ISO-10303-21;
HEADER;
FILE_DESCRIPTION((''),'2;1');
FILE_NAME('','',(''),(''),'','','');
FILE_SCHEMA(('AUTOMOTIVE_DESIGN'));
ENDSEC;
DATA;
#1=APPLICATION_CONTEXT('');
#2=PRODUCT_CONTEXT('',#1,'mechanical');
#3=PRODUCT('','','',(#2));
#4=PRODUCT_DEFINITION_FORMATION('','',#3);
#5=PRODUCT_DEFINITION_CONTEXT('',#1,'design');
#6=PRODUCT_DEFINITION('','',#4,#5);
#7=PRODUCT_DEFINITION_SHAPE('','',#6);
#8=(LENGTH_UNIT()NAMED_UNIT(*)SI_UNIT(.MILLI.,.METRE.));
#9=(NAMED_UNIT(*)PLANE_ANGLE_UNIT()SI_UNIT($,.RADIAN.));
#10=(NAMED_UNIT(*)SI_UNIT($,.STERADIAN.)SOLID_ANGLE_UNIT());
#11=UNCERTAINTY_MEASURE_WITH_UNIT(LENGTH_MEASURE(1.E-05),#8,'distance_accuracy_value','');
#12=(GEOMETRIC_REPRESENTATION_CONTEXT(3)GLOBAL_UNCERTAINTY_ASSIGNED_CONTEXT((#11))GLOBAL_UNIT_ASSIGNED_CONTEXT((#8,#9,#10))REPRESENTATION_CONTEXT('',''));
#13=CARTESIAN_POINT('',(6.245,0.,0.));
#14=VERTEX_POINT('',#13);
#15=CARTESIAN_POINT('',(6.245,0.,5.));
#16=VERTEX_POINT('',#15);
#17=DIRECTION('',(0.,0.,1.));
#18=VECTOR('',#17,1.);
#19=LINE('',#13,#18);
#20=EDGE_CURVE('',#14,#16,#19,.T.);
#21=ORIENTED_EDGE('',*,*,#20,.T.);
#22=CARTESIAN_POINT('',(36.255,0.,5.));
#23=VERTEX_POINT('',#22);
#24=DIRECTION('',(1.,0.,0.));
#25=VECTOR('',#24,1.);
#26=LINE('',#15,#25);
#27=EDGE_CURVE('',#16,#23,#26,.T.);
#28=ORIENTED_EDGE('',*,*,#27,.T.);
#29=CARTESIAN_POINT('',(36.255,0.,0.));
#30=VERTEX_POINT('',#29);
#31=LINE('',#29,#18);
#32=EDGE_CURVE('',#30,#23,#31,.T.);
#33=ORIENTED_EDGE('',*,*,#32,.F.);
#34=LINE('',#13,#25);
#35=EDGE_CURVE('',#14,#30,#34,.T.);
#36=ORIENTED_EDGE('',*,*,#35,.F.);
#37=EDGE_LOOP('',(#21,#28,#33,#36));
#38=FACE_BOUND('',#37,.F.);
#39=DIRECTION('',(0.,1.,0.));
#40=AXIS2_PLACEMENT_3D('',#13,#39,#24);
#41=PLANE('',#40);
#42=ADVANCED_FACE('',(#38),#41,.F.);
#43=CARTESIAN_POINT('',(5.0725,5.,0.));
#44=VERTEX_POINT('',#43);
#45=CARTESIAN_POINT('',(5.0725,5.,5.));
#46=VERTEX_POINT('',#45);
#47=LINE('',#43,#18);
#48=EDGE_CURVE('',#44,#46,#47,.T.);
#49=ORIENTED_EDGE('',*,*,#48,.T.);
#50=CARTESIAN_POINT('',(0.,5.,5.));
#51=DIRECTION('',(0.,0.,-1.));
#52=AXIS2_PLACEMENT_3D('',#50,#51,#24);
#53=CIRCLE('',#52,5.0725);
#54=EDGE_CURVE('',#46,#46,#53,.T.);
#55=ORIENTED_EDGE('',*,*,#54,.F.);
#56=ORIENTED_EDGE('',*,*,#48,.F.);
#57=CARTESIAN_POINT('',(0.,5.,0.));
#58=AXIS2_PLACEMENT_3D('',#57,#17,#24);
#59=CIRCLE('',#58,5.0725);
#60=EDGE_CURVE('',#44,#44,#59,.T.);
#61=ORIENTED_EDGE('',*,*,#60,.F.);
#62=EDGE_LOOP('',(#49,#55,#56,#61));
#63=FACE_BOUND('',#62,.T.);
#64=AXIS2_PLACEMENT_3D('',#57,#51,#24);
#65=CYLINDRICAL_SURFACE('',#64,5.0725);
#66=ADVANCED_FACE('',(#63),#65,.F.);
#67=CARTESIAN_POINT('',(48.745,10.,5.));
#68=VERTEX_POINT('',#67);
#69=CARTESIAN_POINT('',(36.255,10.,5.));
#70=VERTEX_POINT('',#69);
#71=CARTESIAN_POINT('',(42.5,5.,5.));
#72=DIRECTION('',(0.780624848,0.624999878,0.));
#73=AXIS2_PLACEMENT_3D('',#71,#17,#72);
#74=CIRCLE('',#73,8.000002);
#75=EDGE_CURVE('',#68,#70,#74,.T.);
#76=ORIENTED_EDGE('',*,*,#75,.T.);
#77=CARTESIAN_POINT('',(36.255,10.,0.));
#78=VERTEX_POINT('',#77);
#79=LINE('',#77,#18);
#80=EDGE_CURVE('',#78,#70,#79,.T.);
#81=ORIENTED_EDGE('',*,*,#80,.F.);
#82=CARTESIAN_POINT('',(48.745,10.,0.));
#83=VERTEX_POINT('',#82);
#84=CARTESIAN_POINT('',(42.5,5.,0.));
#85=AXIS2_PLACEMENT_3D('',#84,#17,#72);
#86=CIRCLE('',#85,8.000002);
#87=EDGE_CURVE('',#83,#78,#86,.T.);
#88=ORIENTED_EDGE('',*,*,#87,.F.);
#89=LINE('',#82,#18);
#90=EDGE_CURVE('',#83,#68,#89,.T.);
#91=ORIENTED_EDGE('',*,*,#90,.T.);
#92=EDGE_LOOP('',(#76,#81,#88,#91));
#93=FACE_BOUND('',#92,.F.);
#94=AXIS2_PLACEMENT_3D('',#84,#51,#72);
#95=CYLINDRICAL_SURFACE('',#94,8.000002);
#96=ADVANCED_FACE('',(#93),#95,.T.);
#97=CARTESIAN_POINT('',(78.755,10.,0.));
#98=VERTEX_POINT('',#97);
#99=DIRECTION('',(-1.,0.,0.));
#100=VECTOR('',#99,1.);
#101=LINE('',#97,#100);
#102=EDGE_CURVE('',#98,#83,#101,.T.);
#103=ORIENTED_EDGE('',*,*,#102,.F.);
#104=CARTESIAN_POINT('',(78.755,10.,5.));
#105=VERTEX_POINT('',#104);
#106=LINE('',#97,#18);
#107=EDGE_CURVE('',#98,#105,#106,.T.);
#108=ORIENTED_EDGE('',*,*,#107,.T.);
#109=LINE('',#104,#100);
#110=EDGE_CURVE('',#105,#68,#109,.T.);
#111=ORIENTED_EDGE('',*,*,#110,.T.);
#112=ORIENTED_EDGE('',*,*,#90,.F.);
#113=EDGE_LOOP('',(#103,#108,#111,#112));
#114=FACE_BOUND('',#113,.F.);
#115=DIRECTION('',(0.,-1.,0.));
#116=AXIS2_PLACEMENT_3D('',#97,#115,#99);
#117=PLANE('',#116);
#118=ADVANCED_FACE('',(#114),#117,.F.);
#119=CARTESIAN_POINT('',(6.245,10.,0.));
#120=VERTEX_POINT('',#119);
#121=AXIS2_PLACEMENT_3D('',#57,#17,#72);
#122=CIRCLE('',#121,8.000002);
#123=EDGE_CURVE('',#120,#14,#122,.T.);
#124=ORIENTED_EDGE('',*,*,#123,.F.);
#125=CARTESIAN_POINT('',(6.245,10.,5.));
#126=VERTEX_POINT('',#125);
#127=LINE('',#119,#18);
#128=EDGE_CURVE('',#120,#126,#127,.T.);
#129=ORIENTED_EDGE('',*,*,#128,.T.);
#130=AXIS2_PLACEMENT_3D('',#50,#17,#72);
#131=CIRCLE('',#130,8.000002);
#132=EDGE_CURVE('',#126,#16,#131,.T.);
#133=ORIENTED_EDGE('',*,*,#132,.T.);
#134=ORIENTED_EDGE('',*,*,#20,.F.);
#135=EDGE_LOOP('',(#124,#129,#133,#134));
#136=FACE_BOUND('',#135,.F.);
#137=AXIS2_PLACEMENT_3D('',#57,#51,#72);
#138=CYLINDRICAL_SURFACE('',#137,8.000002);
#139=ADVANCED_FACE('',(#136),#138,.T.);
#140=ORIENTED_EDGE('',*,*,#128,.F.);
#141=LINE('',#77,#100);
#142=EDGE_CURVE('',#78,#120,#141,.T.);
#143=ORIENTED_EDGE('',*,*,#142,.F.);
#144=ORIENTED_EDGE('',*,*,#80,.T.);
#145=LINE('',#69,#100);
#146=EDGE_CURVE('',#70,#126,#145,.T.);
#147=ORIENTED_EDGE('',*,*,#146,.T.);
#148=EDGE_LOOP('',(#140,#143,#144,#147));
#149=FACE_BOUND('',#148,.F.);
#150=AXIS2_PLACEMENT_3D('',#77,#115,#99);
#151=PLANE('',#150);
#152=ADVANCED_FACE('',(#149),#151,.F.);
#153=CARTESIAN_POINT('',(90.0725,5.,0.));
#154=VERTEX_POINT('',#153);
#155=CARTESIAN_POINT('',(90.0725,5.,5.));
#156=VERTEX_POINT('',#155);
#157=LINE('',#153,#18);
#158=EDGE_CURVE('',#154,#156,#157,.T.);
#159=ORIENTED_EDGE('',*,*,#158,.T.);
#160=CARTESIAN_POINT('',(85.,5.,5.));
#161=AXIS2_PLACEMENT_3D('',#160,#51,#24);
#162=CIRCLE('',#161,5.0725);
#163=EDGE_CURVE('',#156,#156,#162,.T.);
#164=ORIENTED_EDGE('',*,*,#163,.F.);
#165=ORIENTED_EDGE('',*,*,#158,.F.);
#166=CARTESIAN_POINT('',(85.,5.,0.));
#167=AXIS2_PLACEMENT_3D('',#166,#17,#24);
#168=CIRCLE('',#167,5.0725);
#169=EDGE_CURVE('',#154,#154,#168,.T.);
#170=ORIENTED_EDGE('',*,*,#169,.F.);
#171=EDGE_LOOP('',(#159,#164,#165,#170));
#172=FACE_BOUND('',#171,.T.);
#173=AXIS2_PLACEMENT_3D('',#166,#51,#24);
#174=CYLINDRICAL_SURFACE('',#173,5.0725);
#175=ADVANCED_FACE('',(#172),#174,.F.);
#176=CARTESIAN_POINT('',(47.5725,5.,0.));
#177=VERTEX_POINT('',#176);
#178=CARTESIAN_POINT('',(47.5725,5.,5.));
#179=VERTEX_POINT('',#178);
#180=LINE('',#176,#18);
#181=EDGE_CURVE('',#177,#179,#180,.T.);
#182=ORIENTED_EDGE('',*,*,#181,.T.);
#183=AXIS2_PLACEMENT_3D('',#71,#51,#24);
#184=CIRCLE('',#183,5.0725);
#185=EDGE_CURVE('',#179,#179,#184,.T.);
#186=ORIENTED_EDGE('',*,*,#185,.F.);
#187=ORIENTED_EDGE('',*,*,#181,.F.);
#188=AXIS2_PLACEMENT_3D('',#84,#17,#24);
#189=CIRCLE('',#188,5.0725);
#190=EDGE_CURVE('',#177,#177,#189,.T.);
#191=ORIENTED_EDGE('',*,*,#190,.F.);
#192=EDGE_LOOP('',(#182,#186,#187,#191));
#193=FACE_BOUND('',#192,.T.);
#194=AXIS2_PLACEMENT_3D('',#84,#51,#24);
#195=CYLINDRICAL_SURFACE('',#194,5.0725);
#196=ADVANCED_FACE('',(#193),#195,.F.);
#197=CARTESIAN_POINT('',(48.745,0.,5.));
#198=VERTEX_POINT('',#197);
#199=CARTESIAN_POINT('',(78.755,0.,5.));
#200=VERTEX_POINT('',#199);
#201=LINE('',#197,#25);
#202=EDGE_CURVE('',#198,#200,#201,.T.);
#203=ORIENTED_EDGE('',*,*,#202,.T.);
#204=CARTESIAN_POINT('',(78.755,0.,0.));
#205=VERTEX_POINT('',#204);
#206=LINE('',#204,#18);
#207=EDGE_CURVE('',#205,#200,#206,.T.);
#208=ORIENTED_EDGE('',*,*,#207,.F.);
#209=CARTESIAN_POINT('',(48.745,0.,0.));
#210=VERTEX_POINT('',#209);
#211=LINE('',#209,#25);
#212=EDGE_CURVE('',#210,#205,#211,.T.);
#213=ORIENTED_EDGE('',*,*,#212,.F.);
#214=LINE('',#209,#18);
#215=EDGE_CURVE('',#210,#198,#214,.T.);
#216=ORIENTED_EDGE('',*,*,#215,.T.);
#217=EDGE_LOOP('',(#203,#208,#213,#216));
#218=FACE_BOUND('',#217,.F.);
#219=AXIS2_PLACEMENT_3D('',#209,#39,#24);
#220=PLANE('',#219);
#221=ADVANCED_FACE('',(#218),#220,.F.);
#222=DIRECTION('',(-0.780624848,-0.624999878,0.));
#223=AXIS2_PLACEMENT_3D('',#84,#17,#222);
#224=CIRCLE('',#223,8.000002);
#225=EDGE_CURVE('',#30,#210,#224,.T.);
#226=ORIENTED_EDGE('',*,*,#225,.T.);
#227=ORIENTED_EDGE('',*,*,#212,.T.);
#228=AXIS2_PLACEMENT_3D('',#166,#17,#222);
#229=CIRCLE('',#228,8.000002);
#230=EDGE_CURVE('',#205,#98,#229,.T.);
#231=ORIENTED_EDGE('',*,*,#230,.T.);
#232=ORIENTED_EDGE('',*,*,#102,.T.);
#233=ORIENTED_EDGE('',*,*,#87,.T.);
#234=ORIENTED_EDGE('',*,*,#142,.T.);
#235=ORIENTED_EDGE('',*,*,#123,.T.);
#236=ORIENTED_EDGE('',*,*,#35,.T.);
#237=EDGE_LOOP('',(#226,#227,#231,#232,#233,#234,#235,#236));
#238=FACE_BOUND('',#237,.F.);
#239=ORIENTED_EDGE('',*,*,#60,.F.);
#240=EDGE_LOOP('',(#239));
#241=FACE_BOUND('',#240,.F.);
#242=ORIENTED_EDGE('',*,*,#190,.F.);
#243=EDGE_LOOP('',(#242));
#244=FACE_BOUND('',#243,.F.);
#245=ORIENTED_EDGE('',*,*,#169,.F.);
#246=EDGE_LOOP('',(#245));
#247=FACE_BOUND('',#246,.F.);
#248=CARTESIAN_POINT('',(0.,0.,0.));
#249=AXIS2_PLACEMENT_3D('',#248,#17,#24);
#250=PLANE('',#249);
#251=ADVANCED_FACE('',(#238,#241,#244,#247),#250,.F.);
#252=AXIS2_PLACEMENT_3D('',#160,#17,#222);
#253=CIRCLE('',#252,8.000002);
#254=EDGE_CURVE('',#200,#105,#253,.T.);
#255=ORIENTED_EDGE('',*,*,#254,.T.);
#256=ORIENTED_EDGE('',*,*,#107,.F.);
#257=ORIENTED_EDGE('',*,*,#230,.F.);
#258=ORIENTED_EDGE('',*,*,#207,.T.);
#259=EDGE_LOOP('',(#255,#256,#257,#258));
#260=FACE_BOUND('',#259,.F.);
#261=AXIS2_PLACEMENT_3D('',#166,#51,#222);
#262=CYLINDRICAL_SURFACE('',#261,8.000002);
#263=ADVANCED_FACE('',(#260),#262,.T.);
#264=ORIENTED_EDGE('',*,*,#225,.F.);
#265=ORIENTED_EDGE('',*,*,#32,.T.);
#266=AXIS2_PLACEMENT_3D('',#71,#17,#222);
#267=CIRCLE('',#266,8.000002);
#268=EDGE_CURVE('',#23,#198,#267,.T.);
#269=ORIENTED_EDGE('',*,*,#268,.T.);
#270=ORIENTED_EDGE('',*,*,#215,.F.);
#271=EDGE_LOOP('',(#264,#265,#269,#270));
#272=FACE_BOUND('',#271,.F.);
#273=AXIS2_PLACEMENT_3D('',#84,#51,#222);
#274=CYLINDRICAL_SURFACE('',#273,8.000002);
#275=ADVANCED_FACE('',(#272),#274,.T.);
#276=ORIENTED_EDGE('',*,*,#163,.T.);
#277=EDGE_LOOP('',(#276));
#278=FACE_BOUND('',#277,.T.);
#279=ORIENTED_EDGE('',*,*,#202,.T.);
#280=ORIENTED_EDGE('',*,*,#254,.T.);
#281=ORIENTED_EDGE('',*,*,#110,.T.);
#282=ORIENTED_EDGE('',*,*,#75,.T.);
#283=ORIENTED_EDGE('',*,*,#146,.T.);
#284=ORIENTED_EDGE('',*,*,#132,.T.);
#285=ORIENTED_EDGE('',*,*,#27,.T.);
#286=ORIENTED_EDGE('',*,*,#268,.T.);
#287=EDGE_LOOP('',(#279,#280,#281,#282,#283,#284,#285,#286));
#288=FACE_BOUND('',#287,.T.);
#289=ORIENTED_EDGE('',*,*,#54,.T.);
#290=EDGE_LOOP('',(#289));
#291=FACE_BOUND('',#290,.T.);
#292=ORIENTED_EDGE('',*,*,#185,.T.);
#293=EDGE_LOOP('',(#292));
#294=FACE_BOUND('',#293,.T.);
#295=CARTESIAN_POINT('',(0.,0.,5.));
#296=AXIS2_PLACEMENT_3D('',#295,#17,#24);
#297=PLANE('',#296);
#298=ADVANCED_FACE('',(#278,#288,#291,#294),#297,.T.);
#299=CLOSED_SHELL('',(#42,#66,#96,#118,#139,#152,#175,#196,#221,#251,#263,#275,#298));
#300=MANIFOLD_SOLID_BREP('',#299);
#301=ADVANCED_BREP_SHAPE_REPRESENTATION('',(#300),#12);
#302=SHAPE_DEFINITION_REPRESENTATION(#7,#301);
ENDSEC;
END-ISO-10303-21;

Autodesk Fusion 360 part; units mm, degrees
sketch "Sketch3" plane through (0, 0, 0) normal (0, 0, 1) x (1, 0, 0) in component "sciccor arm right size"
  line L0 (36.255, 10) -> (6.245, 10)
  line L1 (6.245, 0) -> (36.255, 0)
  line L2 (48.745, 0) -> (78.755, 0)
  line L3 (78.755, 10) -> (48.745, 10)
  arc A0 (78.755, 0) -> (78.755, 10) centre (85, 5) ccw
  arc A1 (48.745, 10) -> (36.255, 10) centre (42.5, 5) ccw
  arc A2 (36.255, 0) -> (48.745, 0) centre (42.5, 5) ccw
  arc A3 (6.245, 10) -> (6.245, 0) centre (0, 5) ccw
  circle A4 centre (0, 5) radius 5.0725
  circle A5 centre (42.5, 5) radius 5.0725
  circle A6 centre (85, 5) radius 5.0725
  line L4 (48.745, 0) -> (78.755, 0)
  line L5 (36.255, 10) -> (6.245, 10)
  circle A7 centre (85, 5) radius 5.0725
  circle A8 centre (42.5, 5) radius 5.0725
  line L6 (6.245, 0) -> (36.255, 0)
  circle A9 centre (0, 5) radius 5.0725
  line L7 (36.255, 10) -> (6.245, 10)
  line L8 (36.255, 10) -> (6.245, 10)
  circle A10 centre (85, 5) radius 5.0725
  circle A11 centre (85, 5) radius 5.0725
  circle A12 centre (42.5, 5) radius 5.0725
  circle A13 centre (42.5, 5) radius 5.0725
  circle A14 centre (0, 5) radius 5.0725
  circle A15 centre (0, 5) radius 5.0725
  circle A16 centre (85, 5) radius 5.0725
  circle A17 centre (85, 5) radius 5.0725
  circle A18 centre (85, 5) radius 5.0725
  circle A19 centre (85, 5) radius 5.0725
  circle A20 centre (42.5, 5) radius 5.0725
  circle A21 centre (42.5, 5) radius 5.0725
  circle A22 centre (42.5, 5) radius 5.0725
  circle A23 centre (42.5, 5) radius 5.0725
  circle A24 centre (0, 5) radius 5.0725
  circle A25 centre (0, 5) radius 5.0725
  circle A26 centre (0, 5) radius 5.0725
  circle A27 centre (0, 5) radius 5.0725
  arc A28 (48.745, 10) -> (36.255, 10) centre (42.5, 5) ccw
  line L9 (36.255, 10) -> (6.245, 10)
  arc A29 (6.245, 10) -> (6.245, 0) centre (0, 5) ccw
  line L10 (78.755, 10) -> (48.745, 10)
  line L11 (48.745, 0) -> (78.755, 0)
  arc A30 (78.755, 0) -> (78.755, 10) centre (85, 5) ccw
  arc A31 (36.255, 0) -> (48.745, 0) centre (42.5, 5) ccw
  line L12 (6.245, 0) -> (36.255, 0)
  circle A32 centre (85, 5) radius 6
  circle A33 centre (79, 5) radius 0.9275
  circle A34 centre (88.4216, 9.9287) radius 0.9275
  circle A35 centre (88.4216, 0.0713) radius 0.9275
  circle A36 centre (42.5, 5) radius 6
  circle A37 centre (0, 5) radius 6
  circle A38 centre (36.5, 5.0009) radius 0.9275
  circle A39 centre (45.9319, 9.9216) radius 0.9275
  circle A40 centre (45.9319, 0.0784) radius 0.9275
  circle A41 centre (-6, 5) radius 0.9275
  circle A42 centre (3.2447, 10.047) radius 0.9275
  circle A43 centre (3.2447, -0.047) radius 0.9275
  point P0 (85, 5)
  point P1 (36.255, 0)
  point P2 (85, 5)
  dimension "d25" = 16
  dimension "d27" = 16
  dimension "d30" = 16
  dimension "d34" = 10.145
  dimension "d35" = 10.145
  dimension "d36" = 10.145
  dimension "d37" = 10.145
  dimension "d38" = 10.145
  dimension "d39" = 10.145
  dimension "d40" = 10.145
  dimension "d41" = 10.145
  dimension "d42" = 10.145
  dimension "d43" = 10.145
  dimension "d44" = 10.145
  dimension "d45" = 10.145
  dimension "d46" = 16
  dimension "d47" = 16
  dimension "d48" = 16
  dimension "d49" = 10.145
  dimension "d50" = 10.145
  dimension "d51" = 10.145
  dimension "d52" = 10.145
  dimension "d53" = 10.145
  dimension "d54" = 10.145
  dimension "d55" = 10.145
  dimension "d56" = 10.145
  dimension "d57" = 10.145
  dimension "d58" = 10.145
  dimension "d59" = 10.145
  dimension "d60" = 10.145
  dimension "d61" = 12
  dimension "d62" = 12
  dimension "d63" = 12
extrude "Extrude1" add sketch "Sketch3" along normal blind 5 contours L0 L1 L2 L3 A0 A1 A2 A3 L4 L5 L6 L7 L8 A28 L9 A29 L10 L11 A30 A31 L12 | A4 A9 A14 A15 A24 A25 A26 A27 A37 A42 A43 | A4 A9 A14 A15 A24 A25 A26 A27 A37 A41 A42 | A37 A42 | A4 A9 A14 A15 A24 A25 A26 A27 A37 A41 A43 | A37 A43 | A37 A41 | A37 A42 | A37 A43 | A37 A41 | A5 A8 A12 A13 A20 A21 A22 A23 A36 A39 A40 | A5 A8 A12 A13 A20 A21 A22 A23 A36 A38 A39 | A36 A39 | A5 A8 A12 A13 A20 A21 A22 A23 A36 A38 A40 | A36 A40 | A36 A38 | A36 A39 | A36 A40 | A36 A38 | A6 A7 A10 A11 A16 A17 A18 A19 A32 A34 A35 | A6 A7 A10 A11 A16 A17 A18 A19 A32 A33 A34 | A32 A34 | A6 A7 A10 A11 A16 A17 A18 A19 A32 A33 A35 | A32 A35 | A32 A33 | A32 A34 | A32 A35 | A32 A33
extrude "Extrude1'" [suppressed] in component "sciccor arm right size"
component "sciccor arm right size" placed x (1, 0, 0) y (0, 1, 0) z (0, 0, 1) at (0, 0, 0)
